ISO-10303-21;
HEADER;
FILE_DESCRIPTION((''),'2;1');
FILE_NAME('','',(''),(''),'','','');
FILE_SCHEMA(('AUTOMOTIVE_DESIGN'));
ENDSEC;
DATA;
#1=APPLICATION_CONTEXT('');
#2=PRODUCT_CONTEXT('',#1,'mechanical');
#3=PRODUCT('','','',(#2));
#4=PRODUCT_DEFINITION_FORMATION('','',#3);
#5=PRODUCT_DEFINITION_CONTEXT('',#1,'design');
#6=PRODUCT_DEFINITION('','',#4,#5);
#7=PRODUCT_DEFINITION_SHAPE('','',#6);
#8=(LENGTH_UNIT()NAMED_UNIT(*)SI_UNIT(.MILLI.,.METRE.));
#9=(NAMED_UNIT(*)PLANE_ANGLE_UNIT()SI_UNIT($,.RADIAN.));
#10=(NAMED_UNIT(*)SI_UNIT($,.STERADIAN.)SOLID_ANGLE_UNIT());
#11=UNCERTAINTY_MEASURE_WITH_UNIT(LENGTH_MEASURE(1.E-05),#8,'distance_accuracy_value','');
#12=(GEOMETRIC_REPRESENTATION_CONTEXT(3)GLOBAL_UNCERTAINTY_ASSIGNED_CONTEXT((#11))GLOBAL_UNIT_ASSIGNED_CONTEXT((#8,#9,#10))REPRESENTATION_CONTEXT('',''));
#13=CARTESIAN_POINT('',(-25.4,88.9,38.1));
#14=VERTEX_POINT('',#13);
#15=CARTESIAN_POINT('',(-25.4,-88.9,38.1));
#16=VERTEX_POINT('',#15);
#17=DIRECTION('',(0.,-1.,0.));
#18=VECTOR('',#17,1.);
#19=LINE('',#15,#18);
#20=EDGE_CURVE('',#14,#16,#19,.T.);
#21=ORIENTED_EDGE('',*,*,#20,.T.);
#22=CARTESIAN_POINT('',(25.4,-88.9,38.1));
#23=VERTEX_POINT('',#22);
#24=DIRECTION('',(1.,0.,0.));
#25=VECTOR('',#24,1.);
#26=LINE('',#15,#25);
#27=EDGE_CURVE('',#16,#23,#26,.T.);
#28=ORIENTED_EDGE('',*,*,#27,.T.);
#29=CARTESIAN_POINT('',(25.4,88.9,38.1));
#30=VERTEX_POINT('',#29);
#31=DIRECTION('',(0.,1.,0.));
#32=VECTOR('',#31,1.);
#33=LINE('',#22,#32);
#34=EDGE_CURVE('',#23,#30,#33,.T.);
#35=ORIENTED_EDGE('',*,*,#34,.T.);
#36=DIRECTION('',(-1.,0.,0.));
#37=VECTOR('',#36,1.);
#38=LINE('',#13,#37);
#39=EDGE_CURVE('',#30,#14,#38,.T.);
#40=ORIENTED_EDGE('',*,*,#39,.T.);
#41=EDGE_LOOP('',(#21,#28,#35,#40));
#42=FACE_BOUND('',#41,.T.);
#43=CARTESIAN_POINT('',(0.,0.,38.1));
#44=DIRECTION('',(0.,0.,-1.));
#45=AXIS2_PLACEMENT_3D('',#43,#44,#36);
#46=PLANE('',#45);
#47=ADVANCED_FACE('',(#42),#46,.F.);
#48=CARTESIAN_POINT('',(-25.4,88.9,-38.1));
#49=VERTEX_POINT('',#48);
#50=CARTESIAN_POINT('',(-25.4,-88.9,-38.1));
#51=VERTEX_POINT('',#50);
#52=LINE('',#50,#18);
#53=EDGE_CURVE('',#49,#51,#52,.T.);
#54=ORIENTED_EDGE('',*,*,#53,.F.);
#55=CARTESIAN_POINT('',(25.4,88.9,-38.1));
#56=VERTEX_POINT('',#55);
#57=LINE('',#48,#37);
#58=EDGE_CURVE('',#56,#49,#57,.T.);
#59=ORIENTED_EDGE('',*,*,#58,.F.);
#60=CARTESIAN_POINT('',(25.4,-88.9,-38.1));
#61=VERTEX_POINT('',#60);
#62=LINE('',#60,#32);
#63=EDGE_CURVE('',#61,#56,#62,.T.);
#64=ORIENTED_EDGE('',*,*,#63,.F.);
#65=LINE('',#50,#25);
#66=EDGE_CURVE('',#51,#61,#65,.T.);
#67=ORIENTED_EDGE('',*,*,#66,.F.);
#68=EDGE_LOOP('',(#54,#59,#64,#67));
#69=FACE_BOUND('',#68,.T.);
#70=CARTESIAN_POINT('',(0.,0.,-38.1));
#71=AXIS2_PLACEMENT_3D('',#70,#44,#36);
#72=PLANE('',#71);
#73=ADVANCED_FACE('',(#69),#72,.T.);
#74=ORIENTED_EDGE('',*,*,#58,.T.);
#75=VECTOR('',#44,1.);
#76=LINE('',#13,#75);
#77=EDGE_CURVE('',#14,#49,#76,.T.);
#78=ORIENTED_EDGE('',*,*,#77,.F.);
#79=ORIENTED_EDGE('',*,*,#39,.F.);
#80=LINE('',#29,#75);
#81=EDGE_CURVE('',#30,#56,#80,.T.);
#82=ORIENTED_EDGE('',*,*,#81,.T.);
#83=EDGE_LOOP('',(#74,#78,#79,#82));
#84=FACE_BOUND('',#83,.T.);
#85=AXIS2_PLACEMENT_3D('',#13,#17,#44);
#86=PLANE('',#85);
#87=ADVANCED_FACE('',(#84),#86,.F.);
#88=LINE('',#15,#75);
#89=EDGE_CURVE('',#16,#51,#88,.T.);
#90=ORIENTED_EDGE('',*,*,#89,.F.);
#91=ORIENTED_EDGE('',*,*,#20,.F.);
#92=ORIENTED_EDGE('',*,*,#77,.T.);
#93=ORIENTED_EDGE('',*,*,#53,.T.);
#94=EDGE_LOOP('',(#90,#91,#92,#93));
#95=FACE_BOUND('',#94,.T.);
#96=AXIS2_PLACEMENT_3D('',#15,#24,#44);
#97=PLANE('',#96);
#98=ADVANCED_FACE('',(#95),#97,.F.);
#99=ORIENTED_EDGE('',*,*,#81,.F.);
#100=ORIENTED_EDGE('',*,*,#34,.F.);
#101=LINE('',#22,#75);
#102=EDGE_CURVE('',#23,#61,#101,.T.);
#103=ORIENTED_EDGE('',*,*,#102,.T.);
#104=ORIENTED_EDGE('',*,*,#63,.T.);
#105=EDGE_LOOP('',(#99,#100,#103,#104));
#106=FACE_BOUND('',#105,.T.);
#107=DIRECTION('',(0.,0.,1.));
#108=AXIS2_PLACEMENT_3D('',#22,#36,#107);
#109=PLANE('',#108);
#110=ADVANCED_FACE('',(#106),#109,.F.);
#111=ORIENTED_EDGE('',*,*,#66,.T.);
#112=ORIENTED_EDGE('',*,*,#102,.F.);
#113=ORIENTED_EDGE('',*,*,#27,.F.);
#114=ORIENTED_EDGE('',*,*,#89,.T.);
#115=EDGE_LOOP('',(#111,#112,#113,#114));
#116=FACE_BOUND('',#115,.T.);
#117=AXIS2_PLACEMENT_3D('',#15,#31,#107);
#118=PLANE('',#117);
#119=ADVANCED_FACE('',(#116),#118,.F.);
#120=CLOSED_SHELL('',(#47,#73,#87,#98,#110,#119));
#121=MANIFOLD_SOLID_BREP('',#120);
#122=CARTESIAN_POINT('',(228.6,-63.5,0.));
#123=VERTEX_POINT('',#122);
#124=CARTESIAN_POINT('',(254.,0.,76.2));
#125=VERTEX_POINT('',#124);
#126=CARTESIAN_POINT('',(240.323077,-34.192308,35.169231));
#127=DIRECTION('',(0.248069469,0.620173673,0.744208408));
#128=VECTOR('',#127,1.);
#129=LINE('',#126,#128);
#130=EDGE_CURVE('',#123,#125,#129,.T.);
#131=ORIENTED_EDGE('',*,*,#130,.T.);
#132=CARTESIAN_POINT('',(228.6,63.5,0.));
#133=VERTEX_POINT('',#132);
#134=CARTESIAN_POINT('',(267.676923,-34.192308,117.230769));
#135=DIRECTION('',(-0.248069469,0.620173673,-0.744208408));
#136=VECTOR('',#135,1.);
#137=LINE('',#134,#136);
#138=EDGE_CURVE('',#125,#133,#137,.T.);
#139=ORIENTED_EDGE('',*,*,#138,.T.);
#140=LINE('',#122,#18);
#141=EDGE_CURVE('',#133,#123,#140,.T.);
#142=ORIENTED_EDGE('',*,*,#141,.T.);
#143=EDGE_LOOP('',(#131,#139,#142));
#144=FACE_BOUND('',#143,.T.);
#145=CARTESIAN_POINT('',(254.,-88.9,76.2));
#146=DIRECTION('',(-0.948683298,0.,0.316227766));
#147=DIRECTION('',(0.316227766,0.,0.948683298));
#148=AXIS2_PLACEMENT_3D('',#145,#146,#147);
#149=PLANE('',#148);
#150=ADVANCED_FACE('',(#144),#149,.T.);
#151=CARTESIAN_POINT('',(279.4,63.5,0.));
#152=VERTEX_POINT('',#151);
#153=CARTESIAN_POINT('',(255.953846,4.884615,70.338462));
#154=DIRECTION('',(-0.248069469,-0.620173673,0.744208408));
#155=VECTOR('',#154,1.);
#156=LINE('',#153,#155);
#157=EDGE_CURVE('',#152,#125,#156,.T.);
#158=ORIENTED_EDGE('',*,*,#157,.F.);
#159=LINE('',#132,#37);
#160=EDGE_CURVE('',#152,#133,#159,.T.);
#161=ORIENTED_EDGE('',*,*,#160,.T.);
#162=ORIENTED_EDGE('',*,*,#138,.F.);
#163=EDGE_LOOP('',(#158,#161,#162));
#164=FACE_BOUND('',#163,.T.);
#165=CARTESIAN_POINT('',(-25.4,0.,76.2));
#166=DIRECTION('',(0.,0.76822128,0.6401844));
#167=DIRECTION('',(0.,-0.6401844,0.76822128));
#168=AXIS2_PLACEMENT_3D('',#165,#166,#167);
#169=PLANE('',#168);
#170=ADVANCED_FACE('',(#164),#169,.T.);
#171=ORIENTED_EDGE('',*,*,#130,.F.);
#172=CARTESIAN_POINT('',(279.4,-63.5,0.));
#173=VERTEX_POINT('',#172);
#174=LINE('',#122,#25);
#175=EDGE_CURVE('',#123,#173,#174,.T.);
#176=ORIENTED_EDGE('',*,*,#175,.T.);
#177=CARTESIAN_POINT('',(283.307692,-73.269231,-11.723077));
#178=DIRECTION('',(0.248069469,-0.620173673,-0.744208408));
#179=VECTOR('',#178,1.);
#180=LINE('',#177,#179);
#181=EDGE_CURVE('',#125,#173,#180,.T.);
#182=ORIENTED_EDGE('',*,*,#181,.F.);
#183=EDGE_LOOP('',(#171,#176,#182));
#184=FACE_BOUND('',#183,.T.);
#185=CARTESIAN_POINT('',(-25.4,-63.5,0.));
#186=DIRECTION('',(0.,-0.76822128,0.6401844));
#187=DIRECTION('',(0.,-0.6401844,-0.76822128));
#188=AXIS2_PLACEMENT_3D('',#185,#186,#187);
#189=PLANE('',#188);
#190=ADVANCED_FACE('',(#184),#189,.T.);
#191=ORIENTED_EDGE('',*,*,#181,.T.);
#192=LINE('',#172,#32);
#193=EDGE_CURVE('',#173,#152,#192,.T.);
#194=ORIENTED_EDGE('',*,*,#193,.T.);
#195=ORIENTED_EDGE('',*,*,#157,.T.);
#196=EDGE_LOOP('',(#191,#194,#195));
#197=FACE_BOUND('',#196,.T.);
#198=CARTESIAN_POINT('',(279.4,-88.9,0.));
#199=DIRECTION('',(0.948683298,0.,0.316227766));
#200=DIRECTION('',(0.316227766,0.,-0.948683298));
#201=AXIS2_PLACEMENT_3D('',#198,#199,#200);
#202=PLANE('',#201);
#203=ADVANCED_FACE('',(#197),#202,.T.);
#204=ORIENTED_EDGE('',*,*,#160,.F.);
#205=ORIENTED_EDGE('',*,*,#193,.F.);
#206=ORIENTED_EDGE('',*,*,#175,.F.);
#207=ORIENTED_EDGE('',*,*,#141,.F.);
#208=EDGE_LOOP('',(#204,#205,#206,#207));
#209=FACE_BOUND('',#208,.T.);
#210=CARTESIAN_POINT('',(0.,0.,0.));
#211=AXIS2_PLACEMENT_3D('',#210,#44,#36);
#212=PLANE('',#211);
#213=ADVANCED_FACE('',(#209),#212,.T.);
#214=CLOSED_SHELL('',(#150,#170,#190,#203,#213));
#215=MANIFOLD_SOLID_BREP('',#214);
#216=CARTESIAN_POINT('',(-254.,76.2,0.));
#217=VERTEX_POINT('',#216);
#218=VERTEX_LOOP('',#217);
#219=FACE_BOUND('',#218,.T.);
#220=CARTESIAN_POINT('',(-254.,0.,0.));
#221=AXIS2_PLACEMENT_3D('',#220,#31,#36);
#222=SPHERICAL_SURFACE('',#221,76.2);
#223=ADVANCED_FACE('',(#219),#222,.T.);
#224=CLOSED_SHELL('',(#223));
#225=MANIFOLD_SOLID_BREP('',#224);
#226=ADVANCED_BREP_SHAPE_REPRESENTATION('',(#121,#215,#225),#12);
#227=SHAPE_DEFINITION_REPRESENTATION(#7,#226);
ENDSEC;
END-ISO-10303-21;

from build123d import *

# Parameters (mm, degrees)
SKETCH1_W                       = 50.8
SKETCH1_H                       = 177.8
RECPRISM_DEPTH                  = 38.1
PYRAMIDBASE_W                   = 50.8
PYRAMIDBASE_H                   = 127
PYRAMID_DEPTH                   = 76.2
SKETCH5_OUTSIDE_W               = 380.984
SKETCH5_OUTSIDE_H               = 190.484
CUT_EXTRUDE_PYRAMIDY_DEPTH      = 89.9
CUT_EXTRUDE_PYRAMIDY_DEPTH_BACK = 89.9
SKETCH6_OUTSIDE_W               = 190.484
SKETCH6_OUTSIDE_H               = 253.984
CUT_EXTRUDE_PYRAMIDX_DEPTH      = 26.4
CUT_EXTRUDE_PYRAMIDX_DEPTH_BACK = 280.4


with BuildPart() as part:
    # Sketch1 → RecPrism (new body, symmetric)
    with BuildSketch(Plane.XY):
        Rectangle(SKETCH1_W, SKETCH1_H)
    extrude(amount=RECPRISM_DEPTH, both=True)


with BuildPart() as body_2:
    # PyramidBase → Pyramid (new body)
    with BuildSketch(Plane.XY):
        with Locations((254, 0)):
            Rectangle(PYRAMIDBASE_W, PYRAMIDBASE_H)
    extrude(amount=PYRAMID_DEPTH)

    # Sketch5 outside → Cut-Extrude_PyramidY (cut, two sides)
    with BuildSketch(Plane(origin=(0, 0, 0), x_dir=(1, 0, 0), z_dir=(0, 1, 0))) as cut_extrude_pyramidy_sk:
        with Locations((127, -19.05)):
            Rectangle(SKETCH5_OUTSIDE_W, SKETCH5_OUTSIDE_H)
        Polygon((279.4, 0), (254, -76.2), (228.6, 0), align=None, mode=Mode.SUBTRACT)
    extrude(amount=CUT_EXTRUDE_PYRAMIDY_DEPTH, mode=Mode.SUBTRACT)
    extrude(cut_extrude_pyramidy_sk.sketch, amount=-CUT_EXTRUDE_PYRAMIDY_DEPTH_BACK, mode=Mode.SUBTRACT)

    # Sketch6 outside → Cut-Extrude_PyramidX (cut, two sides)
    with BuildSketch(Plane(origin=(254, 0, 0), x_dir=(0, 0, -1), z_dir=(1, 0, 0))) as cut_extrude_pyramidx_sk:
        with Locations((-19.05, 0)):
            Rectangle(SKETCH6_OUTSIDE_W, SKETCH6_OUTSIDE_H)
        Polygon((-76.2, 0), (0, 63.5), (0, -63.5), align=None, mode=Mode.SUBTRACT)
    extrude(amount=CUT_EXTRUDE_PYRAMIDX_DEPTH, mode=Mode.SUBTRACT)
    extrude(cut_extrude_pyramidx_sk.sketch, amount=-CUT_EXTRUDE_PYRAMIDX_DEPTH_BACK, mode=Mode.SUBTRACT)


with BuildPart() as body_3:
    # Sphere → SphereRevolve (revolve)
    with BuildSketch(Plane.XY):
        with BuildLine():
            Line((-254, 76.2), (-254, 0))
            Line((-254, 0), (-254, -76.2))
            ThreePointArc((-254, -76.2), (-330.2, 0), (-254, 76.2))
        make_face()
    revolve(axis=Axis((-254, 76.2, 0), (0, -1, 0)))


solid = Compound([part.part, body_2.part, body_3.part])
